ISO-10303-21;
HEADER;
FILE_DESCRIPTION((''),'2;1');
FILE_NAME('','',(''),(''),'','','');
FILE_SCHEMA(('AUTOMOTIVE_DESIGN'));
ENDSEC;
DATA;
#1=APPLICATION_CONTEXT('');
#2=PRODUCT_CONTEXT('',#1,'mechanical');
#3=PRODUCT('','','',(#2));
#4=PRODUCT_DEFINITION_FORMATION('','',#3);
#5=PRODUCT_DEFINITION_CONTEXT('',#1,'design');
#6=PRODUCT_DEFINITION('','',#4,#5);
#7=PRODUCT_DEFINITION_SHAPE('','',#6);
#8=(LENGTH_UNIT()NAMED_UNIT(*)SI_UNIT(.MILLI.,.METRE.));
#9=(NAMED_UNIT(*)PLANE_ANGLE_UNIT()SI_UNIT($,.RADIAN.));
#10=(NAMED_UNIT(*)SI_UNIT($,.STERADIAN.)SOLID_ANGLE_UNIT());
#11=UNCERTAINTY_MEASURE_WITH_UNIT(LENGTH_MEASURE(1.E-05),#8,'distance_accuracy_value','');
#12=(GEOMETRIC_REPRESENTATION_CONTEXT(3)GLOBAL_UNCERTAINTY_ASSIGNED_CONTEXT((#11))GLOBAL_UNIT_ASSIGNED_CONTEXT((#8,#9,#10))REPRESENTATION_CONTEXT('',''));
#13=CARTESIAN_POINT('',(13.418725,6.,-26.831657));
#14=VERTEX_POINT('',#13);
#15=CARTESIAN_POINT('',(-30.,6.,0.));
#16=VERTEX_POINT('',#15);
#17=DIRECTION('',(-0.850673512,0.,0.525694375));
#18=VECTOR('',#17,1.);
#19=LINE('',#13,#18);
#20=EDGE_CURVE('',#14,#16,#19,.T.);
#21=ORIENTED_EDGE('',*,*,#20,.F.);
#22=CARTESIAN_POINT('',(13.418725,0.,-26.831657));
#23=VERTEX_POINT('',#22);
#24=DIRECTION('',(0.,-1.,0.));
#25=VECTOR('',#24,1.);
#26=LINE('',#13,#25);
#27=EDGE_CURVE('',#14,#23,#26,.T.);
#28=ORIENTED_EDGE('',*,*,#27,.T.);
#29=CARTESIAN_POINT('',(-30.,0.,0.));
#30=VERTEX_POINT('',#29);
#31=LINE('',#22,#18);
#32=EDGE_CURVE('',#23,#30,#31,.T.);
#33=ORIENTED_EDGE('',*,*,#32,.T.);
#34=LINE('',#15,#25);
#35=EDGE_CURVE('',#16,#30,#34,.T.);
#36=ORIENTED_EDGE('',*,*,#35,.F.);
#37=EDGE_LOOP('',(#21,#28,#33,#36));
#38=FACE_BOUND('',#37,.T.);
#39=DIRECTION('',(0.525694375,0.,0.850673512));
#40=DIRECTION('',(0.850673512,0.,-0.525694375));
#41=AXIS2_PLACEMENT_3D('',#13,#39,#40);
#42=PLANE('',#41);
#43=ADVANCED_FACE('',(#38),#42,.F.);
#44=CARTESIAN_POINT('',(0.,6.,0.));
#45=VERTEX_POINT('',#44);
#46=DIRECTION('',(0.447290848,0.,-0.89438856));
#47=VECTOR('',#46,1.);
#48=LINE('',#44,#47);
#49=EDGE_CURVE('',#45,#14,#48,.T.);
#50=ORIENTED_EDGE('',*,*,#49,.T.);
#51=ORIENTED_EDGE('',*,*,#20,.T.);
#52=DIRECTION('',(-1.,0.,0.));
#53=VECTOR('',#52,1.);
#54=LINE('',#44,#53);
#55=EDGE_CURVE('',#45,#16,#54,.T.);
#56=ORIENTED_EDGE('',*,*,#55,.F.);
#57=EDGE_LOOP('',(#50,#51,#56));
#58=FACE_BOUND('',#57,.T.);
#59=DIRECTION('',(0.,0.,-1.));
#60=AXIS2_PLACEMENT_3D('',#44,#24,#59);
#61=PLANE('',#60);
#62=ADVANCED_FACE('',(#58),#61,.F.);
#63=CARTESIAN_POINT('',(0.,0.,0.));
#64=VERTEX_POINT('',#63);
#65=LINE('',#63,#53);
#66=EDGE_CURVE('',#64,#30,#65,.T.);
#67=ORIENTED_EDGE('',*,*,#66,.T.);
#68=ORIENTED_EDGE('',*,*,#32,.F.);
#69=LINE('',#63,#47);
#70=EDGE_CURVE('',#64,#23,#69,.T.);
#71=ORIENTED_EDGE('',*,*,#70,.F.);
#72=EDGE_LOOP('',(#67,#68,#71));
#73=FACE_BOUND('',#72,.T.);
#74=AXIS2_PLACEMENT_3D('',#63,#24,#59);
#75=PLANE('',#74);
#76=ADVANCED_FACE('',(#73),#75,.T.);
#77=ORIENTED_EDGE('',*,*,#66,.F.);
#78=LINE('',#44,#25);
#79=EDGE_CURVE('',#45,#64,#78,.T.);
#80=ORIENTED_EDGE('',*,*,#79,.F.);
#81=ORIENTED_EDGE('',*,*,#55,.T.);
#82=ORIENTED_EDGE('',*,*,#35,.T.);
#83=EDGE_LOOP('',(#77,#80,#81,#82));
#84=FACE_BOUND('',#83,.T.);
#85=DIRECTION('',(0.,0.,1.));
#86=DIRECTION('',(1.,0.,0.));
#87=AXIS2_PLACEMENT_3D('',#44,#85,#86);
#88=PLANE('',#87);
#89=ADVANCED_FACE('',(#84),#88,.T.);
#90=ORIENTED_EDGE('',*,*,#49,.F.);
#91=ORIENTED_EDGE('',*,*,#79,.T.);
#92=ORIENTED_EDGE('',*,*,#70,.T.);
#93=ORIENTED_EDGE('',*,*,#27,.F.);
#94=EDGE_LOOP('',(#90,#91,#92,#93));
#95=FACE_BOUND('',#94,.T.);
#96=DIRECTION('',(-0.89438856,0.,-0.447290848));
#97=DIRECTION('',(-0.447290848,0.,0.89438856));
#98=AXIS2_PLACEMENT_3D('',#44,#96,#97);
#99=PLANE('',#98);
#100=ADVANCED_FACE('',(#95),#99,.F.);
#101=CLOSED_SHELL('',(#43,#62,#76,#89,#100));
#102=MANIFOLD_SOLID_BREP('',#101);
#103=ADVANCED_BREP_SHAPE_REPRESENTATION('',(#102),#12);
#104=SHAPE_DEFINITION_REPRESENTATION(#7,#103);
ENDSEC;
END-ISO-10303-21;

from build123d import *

# Parameters (mm, degrees)
BOSS_EXTRUDE1_DEPTH = 6


with BuildPart() as part:
    # Sketch1 → Boss-Extrude1 (new body)
    with BuildSketch(Plane(origin=(0, 0, 0), x_dir=(1, 0, 0), z_dir=(0, 1, 0))):
        Polygon((0, 0), (-30, 0), (13.418725453, 26.831656811), align=None)
    extrude(amount=BOSS_EXTRUDE1_DEPTH)


solid = part.part
